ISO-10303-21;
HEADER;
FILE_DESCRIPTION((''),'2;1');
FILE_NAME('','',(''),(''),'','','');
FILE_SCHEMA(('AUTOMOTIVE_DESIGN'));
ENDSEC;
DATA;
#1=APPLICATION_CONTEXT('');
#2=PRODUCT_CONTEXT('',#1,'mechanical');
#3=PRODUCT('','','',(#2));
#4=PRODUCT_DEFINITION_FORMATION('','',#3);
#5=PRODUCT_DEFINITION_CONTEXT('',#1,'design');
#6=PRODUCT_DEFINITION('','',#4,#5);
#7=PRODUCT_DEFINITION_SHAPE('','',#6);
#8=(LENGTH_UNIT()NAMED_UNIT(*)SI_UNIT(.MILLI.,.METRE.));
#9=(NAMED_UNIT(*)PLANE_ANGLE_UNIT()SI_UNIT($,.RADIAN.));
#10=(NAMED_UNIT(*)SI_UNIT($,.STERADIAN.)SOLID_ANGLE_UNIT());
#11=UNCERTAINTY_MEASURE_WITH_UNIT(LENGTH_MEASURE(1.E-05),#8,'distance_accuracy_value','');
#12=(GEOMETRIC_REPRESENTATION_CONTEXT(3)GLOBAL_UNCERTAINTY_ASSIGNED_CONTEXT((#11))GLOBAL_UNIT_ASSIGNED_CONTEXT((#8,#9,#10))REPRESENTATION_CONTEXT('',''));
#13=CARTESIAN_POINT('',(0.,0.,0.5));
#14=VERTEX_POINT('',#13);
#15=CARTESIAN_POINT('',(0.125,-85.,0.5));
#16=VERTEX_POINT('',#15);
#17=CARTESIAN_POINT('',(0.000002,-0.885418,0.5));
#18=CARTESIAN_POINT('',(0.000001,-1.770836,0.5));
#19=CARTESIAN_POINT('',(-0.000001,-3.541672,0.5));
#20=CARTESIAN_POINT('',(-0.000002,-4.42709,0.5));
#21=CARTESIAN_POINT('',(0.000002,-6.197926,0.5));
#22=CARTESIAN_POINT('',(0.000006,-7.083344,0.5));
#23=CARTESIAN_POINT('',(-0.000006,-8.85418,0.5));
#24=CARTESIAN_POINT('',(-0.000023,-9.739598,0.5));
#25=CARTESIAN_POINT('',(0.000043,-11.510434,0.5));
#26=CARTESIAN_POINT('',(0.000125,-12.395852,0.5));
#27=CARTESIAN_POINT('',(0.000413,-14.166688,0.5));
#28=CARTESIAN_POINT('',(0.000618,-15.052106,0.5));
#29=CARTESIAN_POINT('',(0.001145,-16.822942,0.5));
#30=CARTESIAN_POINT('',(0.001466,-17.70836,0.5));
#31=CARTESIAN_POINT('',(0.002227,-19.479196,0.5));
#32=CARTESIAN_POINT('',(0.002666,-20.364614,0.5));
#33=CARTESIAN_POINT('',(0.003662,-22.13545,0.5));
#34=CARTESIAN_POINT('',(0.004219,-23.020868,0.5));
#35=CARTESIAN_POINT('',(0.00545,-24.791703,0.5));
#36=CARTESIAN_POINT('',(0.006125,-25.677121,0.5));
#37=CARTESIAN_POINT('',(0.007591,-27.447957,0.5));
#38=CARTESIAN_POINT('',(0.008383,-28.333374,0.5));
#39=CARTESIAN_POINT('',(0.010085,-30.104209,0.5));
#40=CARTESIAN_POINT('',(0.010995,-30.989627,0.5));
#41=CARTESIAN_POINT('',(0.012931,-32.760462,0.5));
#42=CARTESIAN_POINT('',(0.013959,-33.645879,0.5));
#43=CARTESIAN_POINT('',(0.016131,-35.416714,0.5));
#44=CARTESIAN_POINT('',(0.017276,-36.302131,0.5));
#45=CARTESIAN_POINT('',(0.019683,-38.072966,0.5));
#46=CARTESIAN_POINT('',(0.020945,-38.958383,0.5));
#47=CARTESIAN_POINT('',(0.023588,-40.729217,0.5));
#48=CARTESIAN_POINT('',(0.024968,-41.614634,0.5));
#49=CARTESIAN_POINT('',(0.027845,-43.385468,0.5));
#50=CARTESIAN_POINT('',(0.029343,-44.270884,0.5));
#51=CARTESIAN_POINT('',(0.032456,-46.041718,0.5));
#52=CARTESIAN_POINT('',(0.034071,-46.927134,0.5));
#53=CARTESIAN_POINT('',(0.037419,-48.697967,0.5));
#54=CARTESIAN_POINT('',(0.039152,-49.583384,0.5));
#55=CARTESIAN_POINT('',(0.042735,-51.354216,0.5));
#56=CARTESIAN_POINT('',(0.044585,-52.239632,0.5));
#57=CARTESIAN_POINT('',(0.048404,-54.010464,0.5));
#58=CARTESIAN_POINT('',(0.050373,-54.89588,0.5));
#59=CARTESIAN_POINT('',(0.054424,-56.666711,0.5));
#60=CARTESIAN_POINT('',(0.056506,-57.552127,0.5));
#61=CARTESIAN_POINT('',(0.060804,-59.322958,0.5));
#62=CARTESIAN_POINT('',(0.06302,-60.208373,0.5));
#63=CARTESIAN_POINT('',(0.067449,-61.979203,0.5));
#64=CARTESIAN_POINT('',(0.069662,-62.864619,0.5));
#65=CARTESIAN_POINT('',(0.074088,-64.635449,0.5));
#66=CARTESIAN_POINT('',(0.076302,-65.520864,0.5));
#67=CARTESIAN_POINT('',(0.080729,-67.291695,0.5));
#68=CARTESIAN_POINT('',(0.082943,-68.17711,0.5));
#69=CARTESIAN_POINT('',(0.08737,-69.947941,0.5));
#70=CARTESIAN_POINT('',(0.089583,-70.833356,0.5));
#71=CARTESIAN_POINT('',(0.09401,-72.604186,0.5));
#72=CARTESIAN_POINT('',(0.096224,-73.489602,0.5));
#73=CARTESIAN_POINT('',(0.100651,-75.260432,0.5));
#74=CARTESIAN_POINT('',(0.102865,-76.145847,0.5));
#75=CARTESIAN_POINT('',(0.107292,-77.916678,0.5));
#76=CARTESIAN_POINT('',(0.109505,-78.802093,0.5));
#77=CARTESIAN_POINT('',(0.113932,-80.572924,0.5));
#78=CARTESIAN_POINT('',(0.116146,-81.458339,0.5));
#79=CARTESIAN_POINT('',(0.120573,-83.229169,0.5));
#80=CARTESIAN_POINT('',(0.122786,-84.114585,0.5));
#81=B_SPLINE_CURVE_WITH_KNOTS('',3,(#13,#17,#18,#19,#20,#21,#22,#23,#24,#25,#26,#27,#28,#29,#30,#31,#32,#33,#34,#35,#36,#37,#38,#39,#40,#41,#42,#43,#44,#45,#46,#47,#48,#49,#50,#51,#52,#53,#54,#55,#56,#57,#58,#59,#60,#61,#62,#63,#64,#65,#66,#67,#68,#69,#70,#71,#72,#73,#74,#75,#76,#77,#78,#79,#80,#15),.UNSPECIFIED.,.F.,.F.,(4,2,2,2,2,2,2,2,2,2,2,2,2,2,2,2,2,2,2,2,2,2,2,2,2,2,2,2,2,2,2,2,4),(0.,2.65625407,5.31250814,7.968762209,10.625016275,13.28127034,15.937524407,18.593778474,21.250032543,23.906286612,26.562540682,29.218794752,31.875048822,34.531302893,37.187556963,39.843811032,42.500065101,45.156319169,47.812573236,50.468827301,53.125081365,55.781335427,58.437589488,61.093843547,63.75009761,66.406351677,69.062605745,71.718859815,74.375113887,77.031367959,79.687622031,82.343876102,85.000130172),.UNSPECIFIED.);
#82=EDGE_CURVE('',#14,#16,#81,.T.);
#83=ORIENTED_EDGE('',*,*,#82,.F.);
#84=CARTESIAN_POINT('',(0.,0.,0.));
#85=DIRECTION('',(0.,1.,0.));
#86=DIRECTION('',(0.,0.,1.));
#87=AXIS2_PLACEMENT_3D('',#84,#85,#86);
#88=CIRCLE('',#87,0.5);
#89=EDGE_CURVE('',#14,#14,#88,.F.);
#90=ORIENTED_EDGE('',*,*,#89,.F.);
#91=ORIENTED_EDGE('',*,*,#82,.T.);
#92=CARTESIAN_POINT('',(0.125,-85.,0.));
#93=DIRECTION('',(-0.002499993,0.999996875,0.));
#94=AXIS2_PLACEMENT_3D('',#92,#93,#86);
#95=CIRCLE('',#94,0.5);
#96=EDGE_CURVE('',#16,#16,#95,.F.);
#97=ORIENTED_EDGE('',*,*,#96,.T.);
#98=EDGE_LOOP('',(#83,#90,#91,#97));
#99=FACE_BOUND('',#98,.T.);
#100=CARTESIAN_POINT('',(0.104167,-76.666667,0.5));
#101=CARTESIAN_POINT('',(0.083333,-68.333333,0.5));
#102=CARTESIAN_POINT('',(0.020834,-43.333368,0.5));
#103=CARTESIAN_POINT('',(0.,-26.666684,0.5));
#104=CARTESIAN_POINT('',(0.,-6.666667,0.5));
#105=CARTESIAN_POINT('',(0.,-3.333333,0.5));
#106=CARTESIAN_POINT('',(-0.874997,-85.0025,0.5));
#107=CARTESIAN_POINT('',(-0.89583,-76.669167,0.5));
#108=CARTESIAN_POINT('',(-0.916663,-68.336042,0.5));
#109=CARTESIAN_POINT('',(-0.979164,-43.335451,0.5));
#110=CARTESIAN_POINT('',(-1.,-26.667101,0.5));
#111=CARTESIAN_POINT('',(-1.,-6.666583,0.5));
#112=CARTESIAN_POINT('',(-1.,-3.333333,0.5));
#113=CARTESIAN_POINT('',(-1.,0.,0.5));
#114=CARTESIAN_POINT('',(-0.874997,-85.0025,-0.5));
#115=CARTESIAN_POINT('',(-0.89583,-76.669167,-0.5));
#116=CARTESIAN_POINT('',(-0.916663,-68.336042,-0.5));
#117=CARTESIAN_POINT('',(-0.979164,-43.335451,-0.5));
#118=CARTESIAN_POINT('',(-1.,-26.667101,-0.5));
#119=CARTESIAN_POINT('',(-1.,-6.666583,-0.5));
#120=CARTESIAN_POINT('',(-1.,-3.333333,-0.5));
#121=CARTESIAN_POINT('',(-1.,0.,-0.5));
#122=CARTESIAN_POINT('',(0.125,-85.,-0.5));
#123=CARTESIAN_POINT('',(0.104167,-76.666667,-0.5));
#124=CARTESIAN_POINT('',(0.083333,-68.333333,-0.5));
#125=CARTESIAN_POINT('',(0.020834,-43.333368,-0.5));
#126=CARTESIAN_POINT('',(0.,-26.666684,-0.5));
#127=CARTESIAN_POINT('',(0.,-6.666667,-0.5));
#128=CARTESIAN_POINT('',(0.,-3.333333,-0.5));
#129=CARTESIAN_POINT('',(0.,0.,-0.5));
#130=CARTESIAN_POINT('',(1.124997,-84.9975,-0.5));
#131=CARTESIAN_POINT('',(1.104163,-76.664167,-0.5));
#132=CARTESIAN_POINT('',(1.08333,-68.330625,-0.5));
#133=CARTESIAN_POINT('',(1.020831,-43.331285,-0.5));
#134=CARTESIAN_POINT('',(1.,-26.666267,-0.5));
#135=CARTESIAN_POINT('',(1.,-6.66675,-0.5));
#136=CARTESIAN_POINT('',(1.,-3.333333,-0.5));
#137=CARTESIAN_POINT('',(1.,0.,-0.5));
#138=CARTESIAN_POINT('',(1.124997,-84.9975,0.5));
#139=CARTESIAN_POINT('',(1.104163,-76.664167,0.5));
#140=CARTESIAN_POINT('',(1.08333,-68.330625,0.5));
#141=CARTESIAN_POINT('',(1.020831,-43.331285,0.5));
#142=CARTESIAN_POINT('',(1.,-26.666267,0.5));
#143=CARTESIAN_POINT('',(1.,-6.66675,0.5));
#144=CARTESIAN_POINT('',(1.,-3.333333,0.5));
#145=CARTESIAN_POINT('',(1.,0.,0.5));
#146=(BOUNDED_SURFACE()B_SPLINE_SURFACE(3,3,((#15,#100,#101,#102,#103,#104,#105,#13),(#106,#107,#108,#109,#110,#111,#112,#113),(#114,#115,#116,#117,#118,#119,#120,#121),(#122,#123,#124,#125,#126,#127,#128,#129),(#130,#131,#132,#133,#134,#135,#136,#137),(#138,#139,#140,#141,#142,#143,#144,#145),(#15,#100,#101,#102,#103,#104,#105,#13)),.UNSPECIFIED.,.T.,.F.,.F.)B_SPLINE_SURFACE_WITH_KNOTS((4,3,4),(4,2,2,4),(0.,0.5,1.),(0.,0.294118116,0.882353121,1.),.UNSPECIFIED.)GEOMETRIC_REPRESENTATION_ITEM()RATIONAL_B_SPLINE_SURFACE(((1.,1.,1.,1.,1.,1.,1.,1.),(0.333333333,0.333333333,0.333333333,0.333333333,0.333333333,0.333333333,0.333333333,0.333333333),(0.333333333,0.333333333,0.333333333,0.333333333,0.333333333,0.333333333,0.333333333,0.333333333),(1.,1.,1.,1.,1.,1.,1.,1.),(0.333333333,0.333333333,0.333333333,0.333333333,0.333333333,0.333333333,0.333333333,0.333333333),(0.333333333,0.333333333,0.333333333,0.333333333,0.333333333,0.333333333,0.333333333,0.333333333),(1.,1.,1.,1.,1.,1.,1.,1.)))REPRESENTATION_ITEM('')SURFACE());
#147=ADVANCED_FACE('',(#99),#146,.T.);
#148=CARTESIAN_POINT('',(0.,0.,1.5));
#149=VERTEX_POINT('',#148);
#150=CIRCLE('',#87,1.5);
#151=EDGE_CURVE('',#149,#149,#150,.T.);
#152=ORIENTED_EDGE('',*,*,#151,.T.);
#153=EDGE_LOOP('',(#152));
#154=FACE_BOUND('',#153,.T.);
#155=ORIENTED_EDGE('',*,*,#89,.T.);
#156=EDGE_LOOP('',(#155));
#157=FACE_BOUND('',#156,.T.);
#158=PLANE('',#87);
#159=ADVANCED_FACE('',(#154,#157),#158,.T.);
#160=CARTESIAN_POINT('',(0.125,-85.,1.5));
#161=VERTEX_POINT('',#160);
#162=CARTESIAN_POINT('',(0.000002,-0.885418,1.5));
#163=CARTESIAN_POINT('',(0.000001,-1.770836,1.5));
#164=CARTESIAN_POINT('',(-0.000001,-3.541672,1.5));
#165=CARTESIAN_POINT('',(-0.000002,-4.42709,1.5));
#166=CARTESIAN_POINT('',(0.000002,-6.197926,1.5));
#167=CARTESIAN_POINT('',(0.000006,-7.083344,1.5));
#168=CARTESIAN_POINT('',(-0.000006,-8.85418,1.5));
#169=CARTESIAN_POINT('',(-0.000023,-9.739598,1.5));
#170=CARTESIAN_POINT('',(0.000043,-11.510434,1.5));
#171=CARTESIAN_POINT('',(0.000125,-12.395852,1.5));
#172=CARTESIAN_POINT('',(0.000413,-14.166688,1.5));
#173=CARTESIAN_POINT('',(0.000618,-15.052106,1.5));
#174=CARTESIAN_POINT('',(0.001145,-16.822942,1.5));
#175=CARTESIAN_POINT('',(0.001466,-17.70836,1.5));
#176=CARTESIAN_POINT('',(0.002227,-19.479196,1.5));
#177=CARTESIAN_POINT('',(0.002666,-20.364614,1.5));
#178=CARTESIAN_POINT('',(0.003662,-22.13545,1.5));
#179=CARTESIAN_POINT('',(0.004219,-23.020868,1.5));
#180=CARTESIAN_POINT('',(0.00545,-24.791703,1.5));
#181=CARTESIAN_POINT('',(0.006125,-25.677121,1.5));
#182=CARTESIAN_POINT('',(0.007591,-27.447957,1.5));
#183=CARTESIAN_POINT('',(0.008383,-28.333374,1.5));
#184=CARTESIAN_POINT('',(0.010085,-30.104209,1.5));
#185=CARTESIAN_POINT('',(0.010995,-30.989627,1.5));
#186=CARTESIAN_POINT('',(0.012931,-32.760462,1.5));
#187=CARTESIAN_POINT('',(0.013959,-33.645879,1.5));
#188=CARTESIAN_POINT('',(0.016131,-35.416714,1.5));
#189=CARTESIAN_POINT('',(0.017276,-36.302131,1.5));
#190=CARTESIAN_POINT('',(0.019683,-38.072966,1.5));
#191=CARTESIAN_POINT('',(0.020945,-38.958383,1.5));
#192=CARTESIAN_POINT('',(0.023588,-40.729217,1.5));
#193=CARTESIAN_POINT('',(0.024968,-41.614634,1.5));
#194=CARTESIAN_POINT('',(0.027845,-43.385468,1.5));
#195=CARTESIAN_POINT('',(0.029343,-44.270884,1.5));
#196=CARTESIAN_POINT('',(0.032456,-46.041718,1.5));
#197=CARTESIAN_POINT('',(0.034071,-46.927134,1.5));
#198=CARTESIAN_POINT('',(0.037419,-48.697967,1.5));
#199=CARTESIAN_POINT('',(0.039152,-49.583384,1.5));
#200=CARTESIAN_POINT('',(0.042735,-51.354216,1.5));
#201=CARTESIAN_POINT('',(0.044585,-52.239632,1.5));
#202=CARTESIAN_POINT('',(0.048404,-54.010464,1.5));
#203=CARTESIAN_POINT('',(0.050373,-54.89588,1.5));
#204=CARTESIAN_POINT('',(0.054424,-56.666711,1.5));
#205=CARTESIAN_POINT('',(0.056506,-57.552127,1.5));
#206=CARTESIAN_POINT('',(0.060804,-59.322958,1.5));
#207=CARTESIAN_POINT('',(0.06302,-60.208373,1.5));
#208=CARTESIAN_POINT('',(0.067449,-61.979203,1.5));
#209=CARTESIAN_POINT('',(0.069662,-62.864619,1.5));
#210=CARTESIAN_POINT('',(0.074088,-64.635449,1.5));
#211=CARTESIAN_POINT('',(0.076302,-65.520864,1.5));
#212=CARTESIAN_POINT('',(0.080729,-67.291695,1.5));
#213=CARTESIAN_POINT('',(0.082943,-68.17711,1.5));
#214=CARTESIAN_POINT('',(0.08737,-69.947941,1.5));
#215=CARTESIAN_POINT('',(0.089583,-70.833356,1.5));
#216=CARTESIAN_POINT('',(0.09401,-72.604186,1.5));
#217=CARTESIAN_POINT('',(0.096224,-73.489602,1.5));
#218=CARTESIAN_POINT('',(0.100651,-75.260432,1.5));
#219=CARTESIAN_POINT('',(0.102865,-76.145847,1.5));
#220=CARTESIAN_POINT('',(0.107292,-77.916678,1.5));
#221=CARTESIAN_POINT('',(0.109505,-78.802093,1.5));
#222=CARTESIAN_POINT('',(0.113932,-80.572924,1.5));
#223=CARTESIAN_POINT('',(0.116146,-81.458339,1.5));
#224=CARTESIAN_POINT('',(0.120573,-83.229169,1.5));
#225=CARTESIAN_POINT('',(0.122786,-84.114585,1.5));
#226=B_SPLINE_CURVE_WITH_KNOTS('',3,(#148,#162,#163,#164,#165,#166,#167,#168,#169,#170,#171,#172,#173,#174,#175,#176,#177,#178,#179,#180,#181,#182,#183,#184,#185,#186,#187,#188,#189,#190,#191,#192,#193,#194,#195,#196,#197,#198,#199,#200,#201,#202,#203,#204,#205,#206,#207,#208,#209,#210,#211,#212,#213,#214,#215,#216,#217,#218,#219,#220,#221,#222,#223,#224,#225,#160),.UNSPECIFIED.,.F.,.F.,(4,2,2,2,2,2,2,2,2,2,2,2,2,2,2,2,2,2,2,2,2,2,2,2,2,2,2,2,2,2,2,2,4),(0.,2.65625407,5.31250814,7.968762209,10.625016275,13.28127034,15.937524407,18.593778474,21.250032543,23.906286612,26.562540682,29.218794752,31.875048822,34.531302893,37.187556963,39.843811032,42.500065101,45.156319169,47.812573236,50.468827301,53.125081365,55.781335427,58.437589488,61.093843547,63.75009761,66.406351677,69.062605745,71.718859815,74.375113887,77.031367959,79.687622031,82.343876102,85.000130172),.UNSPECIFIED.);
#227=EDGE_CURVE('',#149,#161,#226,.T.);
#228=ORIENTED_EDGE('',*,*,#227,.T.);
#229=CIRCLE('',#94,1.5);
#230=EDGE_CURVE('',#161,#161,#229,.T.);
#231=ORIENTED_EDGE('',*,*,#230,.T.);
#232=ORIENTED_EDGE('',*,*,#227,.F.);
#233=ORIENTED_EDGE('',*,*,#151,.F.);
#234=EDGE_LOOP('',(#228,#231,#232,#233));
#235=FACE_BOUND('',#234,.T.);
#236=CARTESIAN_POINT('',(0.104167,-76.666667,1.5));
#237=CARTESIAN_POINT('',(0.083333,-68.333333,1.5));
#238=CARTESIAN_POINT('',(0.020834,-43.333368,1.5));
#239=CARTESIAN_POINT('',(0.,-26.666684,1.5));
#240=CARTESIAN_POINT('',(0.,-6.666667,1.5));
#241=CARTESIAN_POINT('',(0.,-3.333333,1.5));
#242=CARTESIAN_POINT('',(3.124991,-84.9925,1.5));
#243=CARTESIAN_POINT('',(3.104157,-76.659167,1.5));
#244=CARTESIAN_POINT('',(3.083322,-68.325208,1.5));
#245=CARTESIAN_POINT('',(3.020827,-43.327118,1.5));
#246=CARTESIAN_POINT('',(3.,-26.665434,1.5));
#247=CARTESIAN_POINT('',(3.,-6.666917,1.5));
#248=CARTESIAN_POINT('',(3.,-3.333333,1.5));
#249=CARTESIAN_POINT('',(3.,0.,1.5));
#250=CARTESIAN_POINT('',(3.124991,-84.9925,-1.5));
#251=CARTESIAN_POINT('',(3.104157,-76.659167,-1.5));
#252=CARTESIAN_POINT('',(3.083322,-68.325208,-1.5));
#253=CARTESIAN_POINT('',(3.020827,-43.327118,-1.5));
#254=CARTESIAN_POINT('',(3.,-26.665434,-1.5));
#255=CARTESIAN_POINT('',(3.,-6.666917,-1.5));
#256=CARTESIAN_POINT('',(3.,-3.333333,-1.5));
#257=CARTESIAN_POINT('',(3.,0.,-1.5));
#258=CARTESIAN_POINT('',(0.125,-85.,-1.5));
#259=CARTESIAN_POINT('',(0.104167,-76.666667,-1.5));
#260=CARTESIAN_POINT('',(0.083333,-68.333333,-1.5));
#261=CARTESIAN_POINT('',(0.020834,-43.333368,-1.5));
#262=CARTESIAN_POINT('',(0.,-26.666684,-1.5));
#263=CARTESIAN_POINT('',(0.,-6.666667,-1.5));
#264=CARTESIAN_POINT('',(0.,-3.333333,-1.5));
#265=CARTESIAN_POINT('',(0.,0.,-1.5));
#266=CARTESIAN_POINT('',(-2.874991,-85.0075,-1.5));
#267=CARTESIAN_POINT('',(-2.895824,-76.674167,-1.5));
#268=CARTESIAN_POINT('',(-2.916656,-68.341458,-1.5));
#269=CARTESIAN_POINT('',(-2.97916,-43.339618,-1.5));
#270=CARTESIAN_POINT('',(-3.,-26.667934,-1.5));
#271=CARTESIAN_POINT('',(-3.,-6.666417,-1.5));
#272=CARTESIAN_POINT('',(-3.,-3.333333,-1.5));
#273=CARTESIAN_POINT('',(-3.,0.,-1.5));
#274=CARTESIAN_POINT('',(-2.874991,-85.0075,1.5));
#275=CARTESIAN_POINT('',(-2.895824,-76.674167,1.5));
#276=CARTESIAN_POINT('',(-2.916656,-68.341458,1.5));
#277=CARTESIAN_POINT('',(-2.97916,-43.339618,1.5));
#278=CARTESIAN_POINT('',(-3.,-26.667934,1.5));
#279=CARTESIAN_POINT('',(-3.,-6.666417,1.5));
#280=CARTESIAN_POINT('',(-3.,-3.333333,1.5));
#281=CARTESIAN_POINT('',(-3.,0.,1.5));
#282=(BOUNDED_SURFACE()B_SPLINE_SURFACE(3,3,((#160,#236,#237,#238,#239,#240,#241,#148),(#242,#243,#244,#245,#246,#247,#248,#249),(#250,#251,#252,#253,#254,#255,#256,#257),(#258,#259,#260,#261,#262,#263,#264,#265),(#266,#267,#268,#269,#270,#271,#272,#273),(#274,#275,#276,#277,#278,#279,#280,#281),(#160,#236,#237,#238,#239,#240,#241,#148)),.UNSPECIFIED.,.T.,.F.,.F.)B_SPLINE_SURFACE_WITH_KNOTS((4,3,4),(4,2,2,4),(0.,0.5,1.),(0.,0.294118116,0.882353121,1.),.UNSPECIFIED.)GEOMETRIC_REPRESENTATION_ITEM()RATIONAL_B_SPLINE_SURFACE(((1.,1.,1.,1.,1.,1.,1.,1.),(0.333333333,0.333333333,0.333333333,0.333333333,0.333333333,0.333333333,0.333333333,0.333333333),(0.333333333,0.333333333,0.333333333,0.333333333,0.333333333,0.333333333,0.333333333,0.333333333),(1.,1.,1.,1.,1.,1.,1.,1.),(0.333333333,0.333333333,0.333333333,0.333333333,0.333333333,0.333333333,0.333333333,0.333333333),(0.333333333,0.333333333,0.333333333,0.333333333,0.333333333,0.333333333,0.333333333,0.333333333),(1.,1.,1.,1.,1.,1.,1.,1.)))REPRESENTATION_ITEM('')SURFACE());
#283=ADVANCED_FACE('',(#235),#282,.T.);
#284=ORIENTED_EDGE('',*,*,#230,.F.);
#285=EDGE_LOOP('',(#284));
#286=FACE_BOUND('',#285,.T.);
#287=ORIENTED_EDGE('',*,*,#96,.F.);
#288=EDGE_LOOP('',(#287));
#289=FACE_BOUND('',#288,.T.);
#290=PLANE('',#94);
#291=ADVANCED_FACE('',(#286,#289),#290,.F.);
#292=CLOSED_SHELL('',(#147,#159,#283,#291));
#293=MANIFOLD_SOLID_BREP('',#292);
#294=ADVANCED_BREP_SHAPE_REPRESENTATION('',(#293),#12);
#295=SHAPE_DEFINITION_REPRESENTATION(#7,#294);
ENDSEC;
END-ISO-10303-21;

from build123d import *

# Parameters (mm, degrees)
SKETCH1_R   = 1.5
SKETCH1_R_2 = 0.5


with BuildPart() as part:
    # Sweep1: sweep along a path in Sketch2
    with BuildLine(Plane.XY) as sweep1_path:
        Line((0.124999951, -85), (0.062499927, -60))
        ThreePointArc((0.062499927, -60), (0.015624988, -35.000019531), (0, -10))
        Line((0, -10), (0, 0))
    # Sketch1 → Sweep1 (sweep)
    with BuildSketch(Plane(origin=(0, 0, 0), x_dir=(1, 0, 0), z_dir=(0, 1, 0))):
        Circle(SKETCH1_R)
        Circle(SKETCH1_R_2, mode=Mode.SUBTRACT)
    sweep(path=sweep1_path.line)


solid = part.part
